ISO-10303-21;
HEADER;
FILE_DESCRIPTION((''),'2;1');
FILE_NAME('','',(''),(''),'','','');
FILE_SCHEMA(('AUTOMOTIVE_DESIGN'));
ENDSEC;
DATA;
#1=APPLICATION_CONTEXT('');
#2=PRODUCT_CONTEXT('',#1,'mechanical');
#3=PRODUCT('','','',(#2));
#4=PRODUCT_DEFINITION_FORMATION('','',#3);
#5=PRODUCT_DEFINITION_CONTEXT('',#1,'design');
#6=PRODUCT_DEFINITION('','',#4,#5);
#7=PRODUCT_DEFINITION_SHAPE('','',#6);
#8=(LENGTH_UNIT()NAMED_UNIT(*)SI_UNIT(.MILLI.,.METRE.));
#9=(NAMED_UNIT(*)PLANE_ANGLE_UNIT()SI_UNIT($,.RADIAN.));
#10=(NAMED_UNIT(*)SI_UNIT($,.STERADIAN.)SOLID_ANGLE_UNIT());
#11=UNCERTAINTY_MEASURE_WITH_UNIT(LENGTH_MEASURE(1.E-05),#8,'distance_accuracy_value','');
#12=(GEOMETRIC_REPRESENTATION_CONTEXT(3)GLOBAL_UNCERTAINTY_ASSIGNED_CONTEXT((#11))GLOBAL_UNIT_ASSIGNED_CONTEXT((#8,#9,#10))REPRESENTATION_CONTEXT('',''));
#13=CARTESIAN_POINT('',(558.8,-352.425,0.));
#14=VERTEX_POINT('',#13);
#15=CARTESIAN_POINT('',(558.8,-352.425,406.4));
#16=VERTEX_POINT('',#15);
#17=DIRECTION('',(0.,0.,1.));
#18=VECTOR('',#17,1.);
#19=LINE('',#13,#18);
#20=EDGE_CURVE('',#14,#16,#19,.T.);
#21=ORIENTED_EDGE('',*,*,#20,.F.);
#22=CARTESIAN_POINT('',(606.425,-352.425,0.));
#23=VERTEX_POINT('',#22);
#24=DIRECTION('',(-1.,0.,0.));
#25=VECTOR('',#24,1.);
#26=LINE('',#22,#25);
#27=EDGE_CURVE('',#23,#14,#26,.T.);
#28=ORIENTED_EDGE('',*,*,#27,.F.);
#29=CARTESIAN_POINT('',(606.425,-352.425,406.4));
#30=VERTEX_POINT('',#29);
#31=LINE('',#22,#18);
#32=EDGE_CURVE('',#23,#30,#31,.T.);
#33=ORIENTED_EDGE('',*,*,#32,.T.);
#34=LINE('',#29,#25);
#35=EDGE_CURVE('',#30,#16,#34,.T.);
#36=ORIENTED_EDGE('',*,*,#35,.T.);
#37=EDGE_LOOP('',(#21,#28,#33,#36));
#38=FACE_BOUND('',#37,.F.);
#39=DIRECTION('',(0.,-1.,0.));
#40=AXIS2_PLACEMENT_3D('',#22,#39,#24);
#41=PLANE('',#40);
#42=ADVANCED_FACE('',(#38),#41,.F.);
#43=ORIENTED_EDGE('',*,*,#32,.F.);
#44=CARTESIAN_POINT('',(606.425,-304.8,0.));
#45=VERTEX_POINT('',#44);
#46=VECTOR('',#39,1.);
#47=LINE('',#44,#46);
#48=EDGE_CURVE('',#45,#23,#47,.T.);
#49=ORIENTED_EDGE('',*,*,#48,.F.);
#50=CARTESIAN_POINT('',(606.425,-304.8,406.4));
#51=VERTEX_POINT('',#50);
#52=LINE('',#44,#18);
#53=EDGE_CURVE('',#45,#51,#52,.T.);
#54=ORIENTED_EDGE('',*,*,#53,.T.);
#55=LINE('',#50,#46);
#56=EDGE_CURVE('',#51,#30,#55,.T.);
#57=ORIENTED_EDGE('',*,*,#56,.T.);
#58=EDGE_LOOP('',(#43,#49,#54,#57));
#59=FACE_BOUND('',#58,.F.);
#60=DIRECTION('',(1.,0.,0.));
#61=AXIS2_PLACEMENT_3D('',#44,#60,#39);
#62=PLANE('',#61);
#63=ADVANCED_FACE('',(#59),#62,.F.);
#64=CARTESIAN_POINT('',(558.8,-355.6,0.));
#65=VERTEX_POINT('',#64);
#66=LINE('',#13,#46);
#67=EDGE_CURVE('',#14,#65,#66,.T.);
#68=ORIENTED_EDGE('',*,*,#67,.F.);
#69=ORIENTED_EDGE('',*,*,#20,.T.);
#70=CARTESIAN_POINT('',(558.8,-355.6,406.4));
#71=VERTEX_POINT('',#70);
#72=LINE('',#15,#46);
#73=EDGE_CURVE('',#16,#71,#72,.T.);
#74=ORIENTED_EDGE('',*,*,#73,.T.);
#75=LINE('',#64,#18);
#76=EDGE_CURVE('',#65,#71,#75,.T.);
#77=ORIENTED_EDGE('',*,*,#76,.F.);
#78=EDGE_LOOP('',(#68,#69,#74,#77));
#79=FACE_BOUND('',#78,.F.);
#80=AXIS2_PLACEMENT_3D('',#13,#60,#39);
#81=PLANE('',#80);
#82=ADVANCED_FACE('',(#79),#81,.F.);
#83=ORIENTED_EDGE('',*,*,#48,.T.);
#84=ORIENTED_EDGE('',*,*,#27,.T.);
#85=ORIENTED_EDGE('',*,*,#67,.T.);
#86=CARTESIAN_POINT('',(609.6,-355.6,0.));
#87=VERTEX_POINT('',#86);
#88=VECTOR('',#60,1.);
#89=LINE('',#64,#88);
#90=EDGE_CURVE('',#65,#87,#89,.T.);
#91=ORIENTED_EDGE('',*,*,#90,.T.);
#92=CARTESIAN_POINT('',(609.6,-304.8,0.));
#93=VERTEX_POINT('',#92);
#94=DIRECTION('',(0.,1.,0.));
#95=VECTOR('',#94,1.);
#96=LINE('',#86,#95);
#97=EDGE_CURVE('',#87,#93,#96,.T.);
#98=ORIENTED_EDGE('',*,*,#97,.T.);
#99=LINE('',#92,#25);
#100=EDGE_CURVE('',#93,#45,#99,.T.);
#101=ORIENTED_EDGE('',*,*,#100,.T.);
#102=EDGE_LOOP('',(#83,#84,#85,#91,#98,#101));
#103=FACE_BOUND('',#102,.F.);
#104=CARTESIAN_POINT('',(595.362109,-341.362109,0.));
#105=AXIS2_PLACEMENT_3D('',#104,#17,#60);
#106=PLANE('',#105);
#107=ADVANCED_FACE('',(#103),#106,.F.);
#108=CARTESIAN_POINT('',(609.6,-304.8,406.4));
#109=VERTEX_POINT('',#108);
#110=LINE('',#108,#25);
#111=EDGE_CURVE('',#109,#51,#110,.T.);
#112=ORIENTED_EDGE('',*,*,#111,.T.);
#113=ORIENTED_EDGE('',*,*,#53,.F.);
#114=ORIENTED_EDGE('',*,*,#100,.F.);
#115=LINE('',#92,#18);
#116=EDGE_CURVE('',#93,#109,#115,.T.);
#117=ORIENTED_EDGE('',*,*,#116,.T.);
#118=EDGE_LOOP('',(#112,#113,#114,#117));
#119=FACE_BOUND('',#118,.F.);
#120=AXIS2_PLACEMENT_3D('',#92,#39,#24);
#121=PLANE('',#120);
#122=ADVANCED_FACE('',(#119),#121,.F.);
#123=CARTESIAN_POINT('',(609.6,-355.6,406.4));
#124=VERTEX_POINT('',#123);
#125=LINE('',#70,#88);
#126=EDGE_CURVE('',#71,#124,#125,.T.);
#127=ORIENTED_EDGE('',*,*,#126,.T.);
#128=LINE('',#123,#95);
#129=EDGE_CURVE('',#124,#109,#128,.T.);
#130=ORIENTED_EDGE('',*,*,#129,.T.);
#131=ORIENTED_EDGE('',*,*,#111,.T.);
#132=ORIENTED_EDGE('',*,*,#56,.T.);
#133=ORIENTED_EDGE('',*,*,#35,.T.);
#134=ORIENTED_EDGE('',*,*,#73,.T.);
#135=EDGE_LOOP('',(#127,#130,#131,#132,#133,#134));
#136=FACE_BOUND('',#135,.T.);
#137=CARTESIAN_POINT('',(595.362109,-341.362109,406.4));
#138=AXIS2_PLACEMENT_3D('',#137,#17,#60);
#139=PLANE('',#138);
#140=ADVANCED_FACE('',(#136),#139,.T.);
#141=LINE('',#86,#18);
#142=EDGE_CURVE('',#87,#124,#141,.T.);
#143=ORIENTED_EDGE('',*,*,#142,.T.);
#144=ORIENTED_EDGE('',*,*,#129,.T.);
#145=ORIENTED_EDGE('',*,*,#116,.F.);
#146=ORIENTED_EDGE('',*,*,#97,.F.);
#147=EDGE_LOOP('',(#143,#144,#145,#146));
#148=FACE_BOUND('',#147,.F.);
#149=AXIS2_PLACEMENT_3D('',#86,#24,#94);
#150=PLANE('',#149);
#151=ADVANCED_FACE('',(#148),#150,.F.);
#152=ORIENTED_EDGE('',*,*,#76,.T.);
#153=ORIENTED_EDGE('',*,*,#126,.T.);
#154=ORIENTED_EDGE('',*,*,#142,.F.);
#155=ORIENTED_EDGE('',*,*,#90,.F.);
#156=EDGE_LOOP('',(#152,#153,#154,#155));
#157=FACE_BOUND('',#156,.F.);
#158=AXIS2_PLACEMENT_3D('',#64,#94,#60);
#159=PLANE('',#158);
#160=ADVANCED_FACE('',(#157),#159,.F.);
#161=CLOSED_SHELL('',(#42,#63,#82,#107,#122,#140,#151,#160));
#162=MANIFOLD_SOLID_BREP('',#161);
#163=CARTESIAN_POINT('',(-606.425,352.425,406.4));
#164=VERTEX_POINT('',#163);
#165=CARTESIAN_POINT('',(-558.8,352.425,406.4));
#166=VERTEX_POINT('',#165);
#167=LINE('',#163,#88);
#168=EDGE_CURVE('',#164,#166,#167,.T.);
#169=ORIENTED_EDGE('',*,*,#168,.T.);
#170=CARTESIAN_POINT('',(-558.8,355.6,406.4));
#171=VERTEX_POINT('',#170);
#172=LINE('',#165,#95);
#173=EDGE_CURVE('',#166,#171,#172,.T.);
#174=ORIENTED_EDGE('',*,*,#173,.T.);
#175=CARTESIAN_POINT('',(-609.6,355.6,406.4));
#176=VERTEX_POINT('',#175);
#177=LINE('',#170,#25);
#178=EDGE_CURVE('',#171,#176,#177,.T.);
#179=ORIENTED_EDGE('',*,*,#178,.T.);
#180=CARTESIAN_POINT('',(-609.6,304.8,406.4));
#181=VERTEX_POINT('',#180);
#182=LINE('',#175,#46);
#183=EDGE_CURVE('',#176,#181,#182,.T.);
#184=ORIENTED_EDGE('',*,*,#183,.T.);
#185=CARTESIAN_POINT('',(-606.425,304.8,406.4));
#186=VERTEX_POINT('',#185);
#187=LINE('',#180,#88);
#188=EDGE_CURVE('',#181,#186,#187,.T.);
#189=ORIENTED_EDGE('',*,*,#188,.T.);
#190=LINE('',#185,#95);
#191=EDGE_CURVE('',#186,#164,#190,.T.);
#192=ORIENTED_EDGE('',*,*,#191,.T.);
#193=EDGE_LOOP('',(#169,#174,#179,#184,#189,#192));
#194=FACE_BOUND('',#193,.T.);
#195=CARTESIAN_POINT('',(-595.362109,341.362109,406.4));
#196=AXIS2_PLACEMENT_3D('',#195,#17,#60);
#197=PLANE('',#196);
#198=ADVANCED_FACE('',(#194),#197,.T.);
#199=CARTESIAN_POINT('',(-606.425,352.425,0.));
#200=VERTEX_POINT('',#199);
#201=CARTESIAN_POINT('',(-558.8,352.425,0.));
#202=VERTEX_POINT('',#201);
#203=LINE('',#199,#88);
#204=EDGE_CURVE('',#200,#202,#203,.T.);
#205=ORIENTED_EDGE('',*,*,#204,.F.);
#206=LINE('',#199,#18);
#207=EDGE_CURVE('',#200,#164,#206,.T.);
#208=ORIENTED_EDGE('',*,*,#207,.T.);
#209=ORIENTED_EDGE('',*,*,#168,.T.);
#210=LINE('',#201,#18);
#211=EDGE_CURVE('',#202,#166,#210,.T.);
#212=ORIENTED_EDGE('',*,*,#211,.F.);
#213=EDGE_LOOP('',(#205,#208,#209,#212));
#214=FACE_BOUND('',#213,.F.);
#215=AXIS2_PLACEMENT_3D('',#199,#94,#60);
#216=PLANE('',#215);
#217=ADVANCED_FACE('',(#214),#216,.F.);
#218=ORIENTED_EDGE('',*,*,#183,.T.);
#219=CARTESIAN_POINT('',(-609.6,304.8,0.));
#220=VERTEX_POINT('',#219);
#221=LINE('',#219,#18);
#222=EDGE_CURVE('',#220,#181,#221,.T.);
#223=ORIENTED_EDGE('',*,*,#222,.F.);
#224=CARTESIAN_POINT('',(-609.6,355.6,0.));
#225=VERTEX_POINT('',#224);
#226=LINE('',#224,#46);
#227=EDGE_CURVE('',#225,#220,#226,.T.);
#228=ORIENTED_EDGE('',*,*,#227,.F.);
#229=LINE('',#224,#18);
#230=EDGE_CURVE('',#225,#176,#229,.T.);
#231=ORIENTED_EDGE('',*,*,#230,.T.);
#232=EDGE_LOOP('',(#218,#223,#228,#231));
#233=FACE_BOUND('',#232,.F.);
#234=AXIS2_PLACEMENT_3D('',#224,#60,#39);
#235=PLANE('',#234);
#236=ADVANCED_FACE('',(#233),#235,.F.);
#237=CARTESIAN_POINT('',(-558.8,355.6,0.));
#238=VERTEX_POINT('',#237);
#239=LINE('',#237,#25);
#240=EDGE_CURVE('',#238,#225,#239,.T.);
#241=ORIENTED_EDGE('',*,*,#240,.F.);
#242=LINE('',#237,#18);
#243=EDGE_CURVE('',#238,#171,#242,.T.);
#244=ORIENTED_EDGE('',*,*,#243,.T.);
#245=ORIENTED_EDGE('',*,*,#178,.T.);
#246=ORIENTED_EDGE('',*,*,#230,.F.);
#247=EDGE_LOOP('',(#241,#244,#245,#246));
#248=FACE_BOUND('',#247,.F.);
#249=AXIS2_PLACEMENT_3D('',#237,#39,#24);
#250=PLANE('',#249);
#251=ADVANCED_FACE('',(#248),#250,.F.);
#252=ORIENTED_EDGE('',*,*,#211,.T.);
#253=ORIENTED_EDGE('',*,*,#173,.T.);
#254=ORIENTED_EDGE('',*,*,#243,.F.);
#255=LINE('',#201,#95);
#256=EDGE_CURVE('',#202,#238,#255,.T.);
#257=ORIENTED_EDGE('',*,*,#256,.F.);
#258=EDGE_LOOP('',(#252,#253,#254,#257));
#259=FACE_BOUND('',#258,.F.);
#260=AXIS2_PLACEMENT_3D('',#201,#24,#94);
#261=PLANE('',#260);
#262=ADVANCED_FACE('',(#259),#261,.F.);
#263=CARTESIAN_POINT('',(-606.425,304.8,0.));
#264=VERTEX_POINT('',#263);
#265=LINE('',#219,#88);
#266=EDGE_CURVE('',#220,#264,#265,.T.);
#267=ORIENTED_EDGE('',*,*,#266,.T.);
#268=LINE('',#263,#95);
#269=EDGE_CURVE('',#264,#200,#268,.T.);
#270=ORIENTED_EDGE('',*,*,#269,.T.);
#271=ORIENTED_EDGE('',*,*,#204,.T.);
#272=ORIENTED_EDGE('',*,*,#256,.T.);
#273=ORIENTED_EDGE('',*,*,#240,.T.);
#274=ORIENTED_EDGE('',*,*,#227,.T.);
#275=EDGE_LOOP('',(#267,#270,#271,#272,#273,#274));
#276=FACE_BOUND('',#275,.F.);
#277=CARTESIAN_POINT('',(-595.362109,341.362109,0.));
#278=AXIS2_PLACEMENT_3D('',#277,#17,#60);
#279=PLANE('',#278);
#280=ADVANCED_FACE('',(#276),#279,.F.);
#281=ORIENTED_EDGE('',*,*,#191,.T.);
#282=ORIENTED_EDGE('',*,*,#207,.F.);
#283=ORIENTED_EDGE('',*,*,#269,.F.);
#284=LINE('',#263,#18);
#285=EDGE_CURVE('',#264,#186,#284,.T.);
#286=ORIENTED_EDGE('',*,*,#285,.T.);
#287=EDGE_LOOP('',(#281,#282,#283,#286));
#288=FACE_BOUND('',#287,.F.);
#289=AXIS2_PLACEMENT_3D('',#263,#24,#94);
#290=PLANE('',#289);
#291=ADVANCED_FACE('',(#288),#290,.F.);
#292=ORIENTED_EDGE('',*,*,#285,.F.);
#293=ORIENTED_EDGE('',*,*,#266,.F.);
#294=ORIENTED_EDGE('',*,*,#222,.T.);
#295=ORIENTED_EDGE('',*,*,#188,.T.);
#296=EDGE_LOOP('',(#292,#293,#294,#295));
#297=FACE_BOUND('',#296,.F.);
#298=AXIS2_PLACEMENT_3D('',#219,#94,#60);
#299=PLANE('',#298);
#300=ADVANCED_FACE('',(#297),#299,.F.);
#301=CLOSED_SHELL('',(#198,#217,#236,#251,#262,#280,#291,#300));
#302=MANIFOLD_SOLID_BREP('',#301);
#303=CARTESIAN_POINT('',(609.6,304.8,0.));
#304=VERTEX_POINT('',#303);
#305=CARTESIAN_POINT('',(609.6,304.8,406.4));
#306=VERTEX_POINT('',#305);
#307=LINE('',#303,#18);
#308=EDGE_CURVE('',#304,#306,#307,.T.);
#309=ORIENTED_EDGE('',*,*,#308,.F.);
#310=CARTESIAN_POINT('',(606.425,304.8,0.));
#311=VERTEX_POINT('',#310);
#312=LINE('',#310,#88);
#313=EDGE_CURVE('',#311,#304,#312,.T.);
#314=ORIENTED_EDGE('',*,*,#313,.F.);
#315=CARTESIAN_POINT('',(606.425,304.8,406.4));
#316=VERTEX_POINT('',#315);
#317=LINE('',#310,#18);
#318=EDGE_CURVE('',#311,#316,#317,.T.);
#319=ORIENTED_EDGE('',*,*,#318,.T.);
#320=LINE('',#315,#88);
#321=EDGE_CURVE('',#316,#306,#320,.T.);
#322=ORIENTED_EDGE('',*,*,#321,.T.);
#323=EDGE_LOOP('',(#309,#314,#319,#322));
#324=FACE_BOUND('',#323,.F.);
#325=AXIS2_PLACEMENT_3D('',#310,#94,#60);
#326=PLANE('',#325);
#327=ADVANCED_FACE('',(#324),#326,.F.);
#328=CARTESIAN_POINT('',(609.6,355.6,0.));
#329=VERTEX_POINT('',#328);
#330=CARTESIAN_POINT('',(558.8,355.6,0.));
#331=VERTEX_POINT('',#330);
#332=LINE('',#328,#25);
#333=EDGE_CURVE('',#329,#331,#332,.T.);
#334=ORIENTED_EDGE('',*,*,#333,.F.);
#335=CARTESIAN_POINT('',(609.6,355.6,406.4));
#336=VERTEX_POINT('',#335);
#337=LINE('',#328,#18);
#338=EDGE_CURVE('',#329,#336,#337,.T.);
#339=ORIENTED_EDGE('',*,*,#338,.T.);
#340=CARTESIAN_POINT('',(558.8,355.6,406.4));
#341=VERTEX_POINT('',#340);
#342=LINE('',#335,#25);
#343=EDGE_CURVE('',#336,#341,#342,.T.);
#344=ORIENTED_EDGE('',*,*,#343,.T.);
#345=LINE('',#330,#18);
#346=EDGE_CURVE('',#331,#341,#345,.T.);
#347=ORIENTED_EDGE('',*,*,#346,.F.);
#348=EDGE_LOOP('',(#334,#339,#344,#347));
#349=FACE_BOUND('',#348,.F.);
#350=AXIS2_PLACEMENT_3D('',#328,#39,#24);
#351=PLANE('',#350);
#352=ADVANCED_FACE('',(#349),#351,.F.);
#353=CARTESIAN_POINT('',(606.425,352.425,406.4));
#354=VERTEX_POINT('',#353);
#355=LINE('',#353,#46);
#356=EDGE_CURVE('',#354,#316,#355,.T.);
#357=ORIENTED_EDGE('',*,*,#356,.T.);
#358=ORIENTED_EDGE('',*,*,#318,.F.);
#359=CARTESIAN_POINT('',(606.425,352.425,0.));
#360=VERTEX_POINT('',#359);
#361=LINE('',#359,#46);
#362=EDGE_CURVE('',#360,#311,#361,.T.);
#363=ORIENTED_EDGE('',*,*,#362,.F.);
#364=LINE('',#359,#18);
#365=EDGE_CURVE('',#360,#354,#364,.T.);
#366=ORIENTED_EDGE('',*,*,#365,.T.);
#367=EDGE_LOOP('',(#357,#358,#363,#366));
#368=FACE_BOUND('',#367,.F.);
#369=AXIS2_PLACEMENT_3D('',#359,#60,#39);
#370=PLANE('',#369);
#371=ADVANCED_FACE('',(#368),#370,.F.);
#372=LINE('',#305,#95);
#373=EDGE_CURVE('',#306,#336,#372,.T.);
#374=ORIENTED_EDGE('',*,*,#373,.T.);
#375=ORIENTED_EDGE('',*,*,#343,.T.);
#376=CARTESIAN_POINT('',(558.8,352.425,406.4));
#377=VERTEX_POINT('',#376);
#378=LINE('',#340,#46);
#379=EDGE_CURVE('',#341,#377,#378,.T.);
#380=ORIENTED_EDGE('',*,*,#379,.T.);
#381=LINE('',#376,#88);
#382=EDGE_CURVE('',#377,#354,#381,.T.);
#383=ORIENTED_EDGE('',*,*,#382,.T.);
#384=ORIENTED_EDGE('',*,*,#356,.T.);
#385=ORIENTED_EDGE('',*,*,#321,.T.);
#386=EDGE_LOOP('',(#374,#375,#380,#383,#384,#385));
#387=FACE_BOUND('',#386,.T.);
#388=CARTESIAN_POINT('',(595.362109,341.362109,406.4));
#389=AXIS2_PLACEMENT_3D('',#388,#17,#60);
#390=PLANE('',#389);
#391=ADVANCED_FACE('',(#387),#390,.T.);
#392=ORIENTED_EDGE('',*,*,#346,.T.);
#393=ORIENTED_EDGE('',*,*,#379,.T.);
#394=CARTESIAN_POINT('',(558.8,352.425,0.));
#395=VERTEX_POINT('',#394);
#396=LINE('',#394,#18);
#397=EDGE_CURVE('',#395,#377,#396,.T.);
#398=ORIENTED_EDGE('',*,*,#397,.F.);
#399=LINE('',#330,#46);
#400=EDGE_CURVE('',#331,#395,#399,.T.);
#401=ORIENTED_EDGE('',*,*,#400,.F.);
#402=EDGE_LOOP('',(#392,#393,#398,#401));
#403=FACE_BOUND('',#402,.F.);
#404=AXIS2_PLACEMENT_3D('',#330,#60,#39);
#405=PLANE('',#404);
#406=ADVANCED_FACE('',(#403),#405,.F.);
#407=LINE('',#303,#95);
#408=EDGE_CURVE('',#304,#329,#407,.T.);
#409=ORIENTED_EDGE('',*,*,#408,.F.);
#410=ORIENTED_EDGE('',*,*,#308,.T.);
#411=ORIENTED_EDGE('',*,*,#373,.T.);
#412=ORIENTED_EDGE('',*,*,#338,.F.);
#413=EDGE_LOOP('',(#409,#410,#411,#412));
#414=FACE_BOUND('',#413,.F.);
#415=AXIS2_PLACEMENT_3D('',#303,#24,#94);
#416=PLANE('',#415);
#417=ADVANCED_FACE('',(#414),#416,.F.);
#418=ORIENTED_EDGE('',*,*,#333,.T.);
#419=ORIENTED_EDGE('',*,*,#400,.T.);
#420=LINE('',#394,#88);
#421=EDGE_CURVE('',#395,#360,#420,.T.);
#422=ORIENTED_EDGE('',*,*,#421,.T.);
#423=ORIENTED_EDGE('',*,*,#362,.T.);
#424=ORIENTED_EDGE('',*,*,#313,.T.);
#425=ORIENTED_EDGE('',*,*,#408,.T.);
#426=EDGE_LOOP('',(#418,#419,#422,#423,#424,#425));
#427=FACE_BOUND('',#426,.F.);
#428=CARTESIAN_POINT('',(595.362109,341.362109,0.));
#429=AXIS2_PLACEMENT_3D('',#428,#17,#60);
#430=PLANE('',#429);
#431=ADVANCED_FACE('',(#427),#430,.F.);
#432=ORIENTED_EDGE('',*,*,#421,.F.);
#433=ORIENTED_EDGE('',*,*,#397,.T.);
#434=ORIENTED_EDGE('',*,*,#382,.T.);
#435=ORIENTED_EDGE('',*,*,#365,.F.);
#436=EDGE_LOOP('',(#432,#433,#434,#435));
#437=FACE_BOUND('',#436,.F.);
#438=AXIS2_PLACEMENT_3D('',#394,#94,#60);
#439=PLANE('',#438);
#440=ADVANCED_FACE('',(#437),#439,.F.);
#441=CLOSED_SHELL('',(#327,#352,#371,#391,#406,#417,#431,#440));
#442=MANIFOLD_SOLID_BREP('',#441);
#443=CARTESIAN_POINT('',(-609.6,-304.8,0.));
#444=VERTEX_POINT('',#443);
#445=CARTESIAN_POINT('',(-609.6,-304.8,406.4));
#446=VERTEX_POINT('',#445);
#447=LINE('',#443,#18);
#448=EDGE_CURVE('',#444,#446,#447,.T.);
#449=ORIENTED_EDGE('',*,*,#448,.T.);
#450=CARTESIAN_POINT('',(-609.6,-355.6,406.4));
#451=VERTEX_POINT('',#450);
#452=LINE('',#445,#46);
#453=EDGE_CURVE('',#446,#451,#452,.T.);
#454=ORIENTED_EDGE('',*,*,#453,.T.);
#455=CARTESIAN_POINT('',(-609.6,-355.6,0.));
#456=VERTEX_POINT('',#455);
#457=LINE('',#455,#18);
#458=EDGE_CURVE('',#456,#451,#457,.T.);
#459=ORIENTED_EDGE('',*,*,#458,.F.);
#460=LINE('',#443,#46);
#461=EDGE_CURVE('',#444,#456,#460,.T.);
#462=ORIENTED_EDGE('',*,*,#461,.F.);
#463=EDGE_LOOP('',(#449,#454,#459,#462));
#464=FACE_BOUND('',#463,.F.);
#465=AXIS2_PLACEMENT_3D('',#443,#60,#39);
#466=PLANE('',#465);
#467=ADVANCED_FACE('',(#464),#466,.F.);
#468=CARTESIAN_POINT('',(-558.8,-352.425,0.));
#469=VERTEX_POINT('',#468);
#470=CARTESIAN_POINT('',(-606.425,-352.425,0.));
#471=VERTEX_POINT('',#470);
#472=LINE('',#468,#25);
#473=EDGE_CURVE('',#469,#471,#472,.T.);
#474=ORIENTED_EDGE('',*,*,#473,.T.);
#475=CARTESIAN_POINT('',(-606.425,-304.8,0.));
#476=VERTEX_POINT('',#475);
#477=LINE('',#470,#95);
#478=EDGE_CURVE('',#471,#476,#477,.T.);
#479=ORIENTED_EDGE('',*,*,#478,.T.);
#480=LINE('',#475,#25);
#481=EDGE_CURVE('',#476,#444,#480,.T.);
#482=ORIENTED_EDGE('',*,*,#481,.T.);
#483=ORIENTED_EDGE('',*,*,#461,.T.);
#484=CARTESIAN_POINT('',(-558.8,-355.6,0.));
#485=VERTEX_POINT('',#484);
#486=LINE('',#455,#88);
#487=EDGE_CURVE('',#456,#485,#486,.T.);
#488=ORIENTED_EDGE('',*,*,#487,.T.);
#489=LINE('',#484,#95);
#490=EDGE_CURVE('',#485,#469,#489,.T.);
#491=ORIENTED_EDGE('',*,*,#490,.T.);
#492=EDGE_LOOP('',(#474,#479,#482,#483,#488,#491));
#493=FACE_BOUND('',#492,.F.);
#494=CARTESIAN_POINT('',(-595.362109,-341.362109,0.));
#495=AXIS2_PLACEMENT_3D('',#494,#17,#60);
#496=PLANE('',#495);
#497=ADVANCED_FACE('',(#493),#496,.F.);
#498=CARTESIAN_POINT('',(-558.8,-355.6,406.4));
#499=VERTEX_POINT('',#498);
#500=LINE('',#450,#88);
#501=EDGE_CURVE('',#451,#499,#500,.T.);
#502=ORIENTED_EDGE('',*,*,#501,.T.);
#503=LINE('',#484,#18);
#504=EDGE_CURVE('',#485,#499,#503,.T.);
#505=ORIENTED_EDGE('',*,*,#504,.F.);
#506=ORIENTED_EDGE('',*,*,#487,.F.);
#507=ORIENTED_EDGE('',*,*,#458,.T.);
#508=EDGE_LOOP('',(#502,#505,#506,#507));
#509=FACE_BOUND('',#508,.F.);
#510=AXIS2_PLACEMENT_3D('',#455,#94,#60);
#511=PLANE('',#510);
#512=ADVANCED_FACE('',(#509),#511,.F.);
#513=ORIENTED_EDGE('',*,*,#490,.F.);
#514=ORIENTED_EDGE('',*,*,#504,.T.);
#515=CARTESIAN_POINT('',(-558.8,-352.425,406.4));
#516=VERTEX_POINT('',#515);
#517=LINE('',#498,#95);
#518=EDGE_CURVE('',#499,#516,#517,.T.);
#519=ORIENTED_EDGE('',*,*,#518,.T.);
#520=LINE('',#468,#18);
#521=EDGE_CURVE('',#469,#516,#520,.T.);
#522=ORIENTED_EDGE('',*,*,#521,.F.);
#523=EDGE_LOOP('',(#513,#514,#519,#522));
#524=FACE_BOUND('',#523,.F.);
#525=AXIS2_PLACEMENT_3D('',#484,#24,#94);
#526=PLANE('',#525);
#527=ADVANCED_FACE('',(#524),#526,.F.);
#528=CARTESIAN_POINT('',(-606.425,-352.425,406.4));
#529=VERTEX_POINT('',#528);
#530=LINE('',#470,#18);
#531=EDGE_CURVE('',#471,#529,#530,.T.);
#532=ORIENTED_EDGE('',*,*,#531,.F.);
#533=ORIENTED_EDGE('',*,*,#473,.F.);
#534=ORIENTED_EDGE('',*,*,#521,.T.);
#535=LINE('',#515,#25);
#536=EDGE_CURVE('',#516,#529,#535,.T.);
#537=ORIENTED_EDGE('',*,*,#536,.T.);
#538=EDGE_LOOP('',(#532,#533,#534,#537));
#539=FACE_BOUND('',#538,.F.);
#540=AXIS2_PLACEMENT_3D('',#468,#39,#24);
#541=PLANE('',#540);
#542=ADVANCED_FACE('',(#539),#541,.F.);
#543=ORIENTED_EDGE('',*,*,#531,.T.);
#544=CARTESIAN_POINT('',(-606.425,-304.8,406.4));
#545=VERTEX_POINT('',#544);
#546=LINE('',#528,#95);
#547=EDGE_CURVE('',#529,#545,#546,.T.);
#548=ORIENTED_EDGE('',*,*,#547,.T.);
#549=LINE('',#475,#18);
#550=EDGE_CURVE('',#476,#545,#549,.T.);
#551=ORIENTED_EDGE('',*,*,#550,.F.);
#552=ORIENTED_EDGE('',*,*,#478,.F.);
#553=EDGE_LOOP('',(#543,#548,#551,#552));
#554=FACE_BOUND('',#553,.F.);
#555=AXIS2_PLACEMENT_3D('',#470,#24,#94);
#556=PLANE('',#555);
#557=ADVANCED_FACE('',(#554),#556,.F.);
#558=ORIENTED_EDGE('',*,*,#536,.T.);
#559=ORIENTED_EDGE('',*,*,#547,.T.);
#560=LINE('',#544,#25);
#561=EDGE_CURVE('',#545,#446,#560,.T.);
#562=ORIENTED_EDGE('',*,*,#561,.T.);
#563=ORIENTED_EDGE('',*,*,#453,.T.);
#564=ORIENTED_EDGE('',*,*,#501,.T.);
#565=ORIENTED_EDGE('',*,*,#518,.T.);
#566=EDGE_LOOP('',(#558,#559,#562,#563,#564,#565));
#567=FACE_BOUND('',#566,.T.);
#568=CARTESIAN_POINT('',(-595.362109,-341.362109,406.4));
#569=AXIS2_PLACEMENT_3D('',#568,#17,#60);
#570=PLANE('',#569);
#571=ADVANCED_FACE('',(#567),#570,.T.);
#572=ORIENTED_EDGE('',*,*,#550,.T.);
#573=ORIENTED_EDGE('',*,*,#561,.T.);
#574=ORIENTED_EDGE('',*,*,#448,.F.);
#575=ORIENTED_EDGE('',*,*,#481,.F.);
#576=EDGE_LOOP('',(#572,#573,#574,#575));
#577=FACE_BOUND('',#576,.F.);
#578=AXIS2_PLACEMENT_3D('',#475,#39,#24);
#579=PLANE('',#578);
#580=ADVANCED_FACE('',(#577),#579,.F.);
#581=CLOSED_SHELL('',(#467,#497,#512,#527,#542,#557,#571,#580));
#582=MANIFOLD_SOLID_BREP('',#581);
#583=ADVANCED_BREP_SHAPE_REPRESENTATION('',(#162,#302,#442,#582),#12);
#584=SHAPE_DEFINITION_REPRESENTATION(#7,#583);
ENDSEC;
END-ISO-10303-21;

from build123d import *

# Parameters (mm, degrees)
F1_DEPTH = 406.4


with BuildPart() as f1:
    # F0 (on Top) → F1 (new body)
    with BuildSketch(Plane.XY):
        Polygon((-558.8, 355.6), (-609.6, 355.6), (-609.6, 304.8), (-606.425, 304.8), (-606.425, 352.425), (-558.8, 352.425), align=None)
        Polygon((-609.6, -304.8), (-609.6, -355.6), (-558.8, -355.6), (-558.8, -352.425), (-606.425, -352.425), (-606.425, -304.8), align=None)
        Polygon((558.8, -355.6), (609.6, -355.6), (609.6, -304.8), (606.425, -304.8), (606.425, -352.425), (558.8, -352.425), align=None)
        Polygon((609.6, 304.8), (609.6, 355.6), (558.8, 355.6), (558.8, 352.425), (606.425, 352.425), (606.425, 304.8), align=None)
    extrude(amount=F1_DEPTH)


solid = f1.part
